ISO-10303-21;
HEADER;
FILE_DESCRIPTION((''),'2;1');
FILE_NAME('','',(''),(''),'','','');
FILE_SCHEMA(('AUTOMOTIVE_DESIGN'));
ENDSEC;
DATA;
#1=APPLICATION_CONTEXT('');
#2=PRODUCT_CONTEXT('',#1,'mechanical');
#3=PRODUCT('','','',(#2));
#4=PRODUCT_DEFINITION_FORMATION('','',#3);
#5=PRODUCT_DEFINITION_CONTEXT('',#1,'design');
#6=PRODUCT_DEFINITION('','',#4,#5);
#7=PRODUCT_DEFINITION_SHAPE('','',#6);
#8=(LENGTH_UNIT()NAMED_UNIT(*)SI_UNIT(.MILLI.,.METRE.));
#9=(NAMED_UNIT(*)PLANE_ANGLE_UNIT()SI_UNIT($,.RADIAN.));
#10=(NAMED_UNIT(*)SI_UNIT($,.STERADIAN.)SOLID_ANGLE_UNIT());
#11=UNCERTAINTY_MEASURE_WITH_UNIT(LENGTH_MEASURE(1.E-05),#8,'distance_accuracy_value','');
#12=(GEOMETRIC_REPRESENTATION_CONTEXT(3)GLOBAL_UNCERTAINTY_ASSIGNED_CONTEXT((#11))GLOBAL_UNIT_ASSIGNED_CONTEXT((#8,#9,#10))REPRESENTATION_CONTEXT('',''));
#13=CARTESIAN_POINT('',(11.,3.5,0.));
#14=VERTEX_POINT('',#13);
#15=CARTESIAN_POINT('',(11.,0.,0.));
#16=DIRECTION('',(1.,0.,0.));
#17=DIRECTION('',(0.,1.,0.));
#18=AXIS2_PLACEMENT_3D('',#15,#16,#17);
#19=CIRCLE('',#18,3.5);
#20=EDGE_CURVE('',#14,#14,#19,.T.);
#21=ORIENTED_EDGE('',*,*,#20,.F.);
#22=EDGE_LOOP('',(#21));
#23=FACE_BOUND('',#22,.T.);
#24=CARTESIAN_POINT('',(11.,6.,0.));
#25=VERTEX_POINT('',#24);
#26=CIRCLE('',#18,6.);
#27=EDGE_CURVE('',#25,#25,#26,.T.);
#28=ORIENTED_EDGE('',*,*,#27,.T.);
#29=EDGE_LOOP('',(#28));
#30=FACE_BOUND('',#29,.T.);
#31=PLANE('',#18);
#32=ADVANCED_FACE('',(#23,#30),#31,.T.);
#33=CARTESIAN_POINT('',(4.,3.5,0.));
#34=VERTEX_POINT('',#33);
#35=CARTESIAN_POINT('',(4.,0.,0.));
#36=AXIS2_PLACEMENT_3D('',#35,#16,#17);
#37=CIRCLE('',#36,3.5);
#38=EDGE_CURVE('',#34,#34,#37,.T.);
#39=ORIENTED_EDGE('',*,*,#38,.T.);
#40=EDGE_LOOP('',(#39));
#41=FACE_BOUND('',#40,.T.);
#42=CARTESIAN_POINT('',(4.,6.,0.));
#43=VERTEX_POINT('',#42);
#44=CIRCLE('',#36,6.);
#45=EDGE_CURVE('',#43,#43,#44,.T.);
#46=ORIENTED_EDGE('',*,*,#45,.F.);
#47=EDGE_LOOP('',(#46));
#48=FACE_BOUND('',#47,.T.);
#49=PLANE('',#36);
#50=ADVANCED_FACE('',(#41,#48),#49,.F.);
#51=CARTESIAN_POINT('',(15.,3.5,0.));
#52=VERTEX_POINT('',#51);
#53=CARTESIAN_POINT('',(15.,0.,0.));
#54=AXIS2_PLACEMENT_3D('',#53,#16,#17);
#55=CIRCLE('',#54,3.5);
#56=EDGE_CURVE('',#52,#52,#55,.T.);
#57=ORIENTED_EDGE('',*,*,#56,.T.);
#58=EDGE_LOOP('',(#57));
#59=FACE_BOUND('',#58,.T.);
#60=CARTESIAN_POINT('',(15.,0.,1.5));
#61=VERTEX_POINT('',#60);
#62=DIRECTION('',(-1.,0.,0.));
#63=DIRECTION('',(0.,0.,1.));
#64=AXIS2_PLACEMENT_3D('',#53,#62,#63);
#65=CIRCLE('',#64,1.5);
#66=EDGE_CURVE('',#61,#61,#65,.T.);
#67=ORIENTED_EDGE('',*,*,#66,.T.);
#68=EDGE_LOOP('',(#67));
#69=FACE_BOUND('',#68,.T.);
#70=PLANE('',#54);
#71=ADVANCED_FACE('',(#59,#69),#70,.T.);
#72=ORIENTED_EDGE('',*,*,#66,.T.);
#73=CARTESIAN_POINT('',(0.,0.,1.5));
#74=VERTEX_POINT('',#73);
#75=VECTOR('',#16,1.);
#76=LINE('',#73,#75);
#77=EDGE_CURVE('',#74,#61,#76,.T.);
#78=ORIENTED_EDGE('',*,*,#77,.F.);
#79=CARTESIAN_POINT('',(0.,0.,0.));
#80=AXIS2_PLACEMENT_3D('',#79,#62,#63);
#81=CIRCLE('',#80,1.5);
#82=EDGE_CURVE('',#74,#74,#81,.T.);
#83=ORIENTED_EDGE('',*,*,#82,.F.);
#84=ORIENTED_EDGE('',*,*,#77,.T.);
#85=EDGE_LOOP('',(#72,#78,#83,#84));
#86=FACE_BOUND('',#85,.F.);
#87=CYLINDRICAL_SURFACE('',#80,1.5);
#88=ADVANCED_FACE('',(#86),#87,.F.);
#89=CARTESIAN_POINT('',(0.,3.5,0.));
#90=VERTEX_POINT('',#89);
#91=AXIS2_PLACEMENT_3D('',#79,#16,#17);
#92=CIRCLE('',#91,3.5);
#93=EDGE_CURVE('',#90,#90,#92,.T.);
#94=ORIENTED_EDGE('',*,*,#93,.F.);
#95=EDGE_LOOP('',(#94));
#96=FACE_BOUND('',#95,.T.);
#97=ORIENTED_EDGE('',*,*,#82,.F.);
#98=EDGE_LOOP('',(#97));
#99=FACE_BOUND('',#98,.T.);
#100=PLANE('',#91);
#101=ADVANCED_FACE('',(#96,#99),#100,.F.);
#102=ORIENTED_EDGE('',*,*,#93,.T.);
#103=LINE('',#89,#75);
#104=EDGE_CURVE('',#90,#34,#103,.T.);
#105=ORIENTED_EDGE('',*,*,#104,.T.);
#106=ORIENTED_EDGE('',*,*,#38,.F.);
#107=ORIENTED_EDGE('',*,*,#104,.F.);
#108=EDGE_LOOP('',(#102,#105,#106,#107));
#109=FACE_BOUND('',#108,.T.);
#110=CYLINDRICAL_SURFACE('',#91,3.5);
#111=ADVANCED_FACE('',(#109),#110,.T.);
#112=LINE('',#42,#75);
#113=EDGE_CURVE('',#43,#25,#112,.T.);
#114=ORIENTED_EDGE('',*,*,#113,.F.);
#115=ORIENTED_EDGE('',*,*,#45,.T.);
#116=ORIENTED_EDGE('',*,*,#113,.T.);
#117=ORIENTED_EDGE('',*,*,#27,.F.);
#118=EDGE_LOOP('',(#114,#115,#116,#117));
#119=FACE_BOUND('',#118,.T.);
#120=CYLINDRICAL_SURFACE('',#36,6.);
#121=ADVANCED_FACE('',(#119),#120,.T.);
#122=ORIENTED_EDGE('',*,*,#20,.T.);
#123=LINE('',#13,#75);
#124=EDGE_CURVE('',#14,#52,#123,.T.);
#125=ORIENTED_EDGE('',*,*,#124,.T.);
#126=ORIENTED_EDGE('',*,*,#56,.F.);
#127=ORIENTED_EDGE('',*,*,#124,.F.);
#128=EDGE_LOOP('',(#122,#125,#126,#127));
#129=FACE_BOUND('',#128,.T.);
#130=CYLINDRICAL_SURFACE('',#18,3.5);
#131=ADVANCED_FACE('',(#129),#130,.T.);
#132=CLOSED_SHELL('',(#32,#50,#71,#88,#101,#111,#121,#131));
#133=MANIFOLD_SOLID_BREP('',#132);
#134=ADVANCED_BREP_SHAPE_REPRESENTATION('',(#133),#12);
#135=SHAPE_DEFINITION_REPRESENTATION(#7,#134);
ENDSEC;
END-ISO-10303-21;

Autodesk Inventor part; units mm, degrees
ref_plane "Start Plane" through (0, 0, 0) normal (1, 0, 0) x (0, 1, 0)
ref_plane "XZ Plane" through (0, 0, 0) normal (0, 1, 0) x (-1, 0, 0)
ref_plane "XY Plane" through (0, 0, 0) normal (0, 0, 1) x (1, 0, 0)
sketch "Main Sketch" plane through (0, 0, 0) normal (0, 0, 1) x (1, 0, 0)
  line L0 (0, 0) -> (15, 0)
  line L1 (0, 0) -> (0, 3.5)
  line L2 (0, 3.5) -> (4, 3.5)
  line L3 (4, 3.5) -> (4, 6)
  line L4 (11, 6) -> (11, 3.5)
  line L5 (4, 6) -> (11, 6)
  line L6 (15, 3.5) -> (15, 0)
  line L7 (11, 3.5) -> (15, 3.5)
  dimension "d3" = 7
  dimension "d4" = 12
  dimension "d5" = 7
revolve "Revolution1" add sketch "Main Sketch" angle 360 about axis through (0, 0, 0) along (1, 0, 0)
sketch "Sketch3" plane through (0, 0, 0) normal (-1, 0, 0) x (0, 0, 1)
  circle A0 centre (0, 0) radius 1.5
  dimension "d7" = 3
extrude "Extrusion1" cut sketch "Sketch3" against normal up to surface (15 mm away)
equation "\"Length\" = 15"
properties part number "Shaft" material "Steel"
